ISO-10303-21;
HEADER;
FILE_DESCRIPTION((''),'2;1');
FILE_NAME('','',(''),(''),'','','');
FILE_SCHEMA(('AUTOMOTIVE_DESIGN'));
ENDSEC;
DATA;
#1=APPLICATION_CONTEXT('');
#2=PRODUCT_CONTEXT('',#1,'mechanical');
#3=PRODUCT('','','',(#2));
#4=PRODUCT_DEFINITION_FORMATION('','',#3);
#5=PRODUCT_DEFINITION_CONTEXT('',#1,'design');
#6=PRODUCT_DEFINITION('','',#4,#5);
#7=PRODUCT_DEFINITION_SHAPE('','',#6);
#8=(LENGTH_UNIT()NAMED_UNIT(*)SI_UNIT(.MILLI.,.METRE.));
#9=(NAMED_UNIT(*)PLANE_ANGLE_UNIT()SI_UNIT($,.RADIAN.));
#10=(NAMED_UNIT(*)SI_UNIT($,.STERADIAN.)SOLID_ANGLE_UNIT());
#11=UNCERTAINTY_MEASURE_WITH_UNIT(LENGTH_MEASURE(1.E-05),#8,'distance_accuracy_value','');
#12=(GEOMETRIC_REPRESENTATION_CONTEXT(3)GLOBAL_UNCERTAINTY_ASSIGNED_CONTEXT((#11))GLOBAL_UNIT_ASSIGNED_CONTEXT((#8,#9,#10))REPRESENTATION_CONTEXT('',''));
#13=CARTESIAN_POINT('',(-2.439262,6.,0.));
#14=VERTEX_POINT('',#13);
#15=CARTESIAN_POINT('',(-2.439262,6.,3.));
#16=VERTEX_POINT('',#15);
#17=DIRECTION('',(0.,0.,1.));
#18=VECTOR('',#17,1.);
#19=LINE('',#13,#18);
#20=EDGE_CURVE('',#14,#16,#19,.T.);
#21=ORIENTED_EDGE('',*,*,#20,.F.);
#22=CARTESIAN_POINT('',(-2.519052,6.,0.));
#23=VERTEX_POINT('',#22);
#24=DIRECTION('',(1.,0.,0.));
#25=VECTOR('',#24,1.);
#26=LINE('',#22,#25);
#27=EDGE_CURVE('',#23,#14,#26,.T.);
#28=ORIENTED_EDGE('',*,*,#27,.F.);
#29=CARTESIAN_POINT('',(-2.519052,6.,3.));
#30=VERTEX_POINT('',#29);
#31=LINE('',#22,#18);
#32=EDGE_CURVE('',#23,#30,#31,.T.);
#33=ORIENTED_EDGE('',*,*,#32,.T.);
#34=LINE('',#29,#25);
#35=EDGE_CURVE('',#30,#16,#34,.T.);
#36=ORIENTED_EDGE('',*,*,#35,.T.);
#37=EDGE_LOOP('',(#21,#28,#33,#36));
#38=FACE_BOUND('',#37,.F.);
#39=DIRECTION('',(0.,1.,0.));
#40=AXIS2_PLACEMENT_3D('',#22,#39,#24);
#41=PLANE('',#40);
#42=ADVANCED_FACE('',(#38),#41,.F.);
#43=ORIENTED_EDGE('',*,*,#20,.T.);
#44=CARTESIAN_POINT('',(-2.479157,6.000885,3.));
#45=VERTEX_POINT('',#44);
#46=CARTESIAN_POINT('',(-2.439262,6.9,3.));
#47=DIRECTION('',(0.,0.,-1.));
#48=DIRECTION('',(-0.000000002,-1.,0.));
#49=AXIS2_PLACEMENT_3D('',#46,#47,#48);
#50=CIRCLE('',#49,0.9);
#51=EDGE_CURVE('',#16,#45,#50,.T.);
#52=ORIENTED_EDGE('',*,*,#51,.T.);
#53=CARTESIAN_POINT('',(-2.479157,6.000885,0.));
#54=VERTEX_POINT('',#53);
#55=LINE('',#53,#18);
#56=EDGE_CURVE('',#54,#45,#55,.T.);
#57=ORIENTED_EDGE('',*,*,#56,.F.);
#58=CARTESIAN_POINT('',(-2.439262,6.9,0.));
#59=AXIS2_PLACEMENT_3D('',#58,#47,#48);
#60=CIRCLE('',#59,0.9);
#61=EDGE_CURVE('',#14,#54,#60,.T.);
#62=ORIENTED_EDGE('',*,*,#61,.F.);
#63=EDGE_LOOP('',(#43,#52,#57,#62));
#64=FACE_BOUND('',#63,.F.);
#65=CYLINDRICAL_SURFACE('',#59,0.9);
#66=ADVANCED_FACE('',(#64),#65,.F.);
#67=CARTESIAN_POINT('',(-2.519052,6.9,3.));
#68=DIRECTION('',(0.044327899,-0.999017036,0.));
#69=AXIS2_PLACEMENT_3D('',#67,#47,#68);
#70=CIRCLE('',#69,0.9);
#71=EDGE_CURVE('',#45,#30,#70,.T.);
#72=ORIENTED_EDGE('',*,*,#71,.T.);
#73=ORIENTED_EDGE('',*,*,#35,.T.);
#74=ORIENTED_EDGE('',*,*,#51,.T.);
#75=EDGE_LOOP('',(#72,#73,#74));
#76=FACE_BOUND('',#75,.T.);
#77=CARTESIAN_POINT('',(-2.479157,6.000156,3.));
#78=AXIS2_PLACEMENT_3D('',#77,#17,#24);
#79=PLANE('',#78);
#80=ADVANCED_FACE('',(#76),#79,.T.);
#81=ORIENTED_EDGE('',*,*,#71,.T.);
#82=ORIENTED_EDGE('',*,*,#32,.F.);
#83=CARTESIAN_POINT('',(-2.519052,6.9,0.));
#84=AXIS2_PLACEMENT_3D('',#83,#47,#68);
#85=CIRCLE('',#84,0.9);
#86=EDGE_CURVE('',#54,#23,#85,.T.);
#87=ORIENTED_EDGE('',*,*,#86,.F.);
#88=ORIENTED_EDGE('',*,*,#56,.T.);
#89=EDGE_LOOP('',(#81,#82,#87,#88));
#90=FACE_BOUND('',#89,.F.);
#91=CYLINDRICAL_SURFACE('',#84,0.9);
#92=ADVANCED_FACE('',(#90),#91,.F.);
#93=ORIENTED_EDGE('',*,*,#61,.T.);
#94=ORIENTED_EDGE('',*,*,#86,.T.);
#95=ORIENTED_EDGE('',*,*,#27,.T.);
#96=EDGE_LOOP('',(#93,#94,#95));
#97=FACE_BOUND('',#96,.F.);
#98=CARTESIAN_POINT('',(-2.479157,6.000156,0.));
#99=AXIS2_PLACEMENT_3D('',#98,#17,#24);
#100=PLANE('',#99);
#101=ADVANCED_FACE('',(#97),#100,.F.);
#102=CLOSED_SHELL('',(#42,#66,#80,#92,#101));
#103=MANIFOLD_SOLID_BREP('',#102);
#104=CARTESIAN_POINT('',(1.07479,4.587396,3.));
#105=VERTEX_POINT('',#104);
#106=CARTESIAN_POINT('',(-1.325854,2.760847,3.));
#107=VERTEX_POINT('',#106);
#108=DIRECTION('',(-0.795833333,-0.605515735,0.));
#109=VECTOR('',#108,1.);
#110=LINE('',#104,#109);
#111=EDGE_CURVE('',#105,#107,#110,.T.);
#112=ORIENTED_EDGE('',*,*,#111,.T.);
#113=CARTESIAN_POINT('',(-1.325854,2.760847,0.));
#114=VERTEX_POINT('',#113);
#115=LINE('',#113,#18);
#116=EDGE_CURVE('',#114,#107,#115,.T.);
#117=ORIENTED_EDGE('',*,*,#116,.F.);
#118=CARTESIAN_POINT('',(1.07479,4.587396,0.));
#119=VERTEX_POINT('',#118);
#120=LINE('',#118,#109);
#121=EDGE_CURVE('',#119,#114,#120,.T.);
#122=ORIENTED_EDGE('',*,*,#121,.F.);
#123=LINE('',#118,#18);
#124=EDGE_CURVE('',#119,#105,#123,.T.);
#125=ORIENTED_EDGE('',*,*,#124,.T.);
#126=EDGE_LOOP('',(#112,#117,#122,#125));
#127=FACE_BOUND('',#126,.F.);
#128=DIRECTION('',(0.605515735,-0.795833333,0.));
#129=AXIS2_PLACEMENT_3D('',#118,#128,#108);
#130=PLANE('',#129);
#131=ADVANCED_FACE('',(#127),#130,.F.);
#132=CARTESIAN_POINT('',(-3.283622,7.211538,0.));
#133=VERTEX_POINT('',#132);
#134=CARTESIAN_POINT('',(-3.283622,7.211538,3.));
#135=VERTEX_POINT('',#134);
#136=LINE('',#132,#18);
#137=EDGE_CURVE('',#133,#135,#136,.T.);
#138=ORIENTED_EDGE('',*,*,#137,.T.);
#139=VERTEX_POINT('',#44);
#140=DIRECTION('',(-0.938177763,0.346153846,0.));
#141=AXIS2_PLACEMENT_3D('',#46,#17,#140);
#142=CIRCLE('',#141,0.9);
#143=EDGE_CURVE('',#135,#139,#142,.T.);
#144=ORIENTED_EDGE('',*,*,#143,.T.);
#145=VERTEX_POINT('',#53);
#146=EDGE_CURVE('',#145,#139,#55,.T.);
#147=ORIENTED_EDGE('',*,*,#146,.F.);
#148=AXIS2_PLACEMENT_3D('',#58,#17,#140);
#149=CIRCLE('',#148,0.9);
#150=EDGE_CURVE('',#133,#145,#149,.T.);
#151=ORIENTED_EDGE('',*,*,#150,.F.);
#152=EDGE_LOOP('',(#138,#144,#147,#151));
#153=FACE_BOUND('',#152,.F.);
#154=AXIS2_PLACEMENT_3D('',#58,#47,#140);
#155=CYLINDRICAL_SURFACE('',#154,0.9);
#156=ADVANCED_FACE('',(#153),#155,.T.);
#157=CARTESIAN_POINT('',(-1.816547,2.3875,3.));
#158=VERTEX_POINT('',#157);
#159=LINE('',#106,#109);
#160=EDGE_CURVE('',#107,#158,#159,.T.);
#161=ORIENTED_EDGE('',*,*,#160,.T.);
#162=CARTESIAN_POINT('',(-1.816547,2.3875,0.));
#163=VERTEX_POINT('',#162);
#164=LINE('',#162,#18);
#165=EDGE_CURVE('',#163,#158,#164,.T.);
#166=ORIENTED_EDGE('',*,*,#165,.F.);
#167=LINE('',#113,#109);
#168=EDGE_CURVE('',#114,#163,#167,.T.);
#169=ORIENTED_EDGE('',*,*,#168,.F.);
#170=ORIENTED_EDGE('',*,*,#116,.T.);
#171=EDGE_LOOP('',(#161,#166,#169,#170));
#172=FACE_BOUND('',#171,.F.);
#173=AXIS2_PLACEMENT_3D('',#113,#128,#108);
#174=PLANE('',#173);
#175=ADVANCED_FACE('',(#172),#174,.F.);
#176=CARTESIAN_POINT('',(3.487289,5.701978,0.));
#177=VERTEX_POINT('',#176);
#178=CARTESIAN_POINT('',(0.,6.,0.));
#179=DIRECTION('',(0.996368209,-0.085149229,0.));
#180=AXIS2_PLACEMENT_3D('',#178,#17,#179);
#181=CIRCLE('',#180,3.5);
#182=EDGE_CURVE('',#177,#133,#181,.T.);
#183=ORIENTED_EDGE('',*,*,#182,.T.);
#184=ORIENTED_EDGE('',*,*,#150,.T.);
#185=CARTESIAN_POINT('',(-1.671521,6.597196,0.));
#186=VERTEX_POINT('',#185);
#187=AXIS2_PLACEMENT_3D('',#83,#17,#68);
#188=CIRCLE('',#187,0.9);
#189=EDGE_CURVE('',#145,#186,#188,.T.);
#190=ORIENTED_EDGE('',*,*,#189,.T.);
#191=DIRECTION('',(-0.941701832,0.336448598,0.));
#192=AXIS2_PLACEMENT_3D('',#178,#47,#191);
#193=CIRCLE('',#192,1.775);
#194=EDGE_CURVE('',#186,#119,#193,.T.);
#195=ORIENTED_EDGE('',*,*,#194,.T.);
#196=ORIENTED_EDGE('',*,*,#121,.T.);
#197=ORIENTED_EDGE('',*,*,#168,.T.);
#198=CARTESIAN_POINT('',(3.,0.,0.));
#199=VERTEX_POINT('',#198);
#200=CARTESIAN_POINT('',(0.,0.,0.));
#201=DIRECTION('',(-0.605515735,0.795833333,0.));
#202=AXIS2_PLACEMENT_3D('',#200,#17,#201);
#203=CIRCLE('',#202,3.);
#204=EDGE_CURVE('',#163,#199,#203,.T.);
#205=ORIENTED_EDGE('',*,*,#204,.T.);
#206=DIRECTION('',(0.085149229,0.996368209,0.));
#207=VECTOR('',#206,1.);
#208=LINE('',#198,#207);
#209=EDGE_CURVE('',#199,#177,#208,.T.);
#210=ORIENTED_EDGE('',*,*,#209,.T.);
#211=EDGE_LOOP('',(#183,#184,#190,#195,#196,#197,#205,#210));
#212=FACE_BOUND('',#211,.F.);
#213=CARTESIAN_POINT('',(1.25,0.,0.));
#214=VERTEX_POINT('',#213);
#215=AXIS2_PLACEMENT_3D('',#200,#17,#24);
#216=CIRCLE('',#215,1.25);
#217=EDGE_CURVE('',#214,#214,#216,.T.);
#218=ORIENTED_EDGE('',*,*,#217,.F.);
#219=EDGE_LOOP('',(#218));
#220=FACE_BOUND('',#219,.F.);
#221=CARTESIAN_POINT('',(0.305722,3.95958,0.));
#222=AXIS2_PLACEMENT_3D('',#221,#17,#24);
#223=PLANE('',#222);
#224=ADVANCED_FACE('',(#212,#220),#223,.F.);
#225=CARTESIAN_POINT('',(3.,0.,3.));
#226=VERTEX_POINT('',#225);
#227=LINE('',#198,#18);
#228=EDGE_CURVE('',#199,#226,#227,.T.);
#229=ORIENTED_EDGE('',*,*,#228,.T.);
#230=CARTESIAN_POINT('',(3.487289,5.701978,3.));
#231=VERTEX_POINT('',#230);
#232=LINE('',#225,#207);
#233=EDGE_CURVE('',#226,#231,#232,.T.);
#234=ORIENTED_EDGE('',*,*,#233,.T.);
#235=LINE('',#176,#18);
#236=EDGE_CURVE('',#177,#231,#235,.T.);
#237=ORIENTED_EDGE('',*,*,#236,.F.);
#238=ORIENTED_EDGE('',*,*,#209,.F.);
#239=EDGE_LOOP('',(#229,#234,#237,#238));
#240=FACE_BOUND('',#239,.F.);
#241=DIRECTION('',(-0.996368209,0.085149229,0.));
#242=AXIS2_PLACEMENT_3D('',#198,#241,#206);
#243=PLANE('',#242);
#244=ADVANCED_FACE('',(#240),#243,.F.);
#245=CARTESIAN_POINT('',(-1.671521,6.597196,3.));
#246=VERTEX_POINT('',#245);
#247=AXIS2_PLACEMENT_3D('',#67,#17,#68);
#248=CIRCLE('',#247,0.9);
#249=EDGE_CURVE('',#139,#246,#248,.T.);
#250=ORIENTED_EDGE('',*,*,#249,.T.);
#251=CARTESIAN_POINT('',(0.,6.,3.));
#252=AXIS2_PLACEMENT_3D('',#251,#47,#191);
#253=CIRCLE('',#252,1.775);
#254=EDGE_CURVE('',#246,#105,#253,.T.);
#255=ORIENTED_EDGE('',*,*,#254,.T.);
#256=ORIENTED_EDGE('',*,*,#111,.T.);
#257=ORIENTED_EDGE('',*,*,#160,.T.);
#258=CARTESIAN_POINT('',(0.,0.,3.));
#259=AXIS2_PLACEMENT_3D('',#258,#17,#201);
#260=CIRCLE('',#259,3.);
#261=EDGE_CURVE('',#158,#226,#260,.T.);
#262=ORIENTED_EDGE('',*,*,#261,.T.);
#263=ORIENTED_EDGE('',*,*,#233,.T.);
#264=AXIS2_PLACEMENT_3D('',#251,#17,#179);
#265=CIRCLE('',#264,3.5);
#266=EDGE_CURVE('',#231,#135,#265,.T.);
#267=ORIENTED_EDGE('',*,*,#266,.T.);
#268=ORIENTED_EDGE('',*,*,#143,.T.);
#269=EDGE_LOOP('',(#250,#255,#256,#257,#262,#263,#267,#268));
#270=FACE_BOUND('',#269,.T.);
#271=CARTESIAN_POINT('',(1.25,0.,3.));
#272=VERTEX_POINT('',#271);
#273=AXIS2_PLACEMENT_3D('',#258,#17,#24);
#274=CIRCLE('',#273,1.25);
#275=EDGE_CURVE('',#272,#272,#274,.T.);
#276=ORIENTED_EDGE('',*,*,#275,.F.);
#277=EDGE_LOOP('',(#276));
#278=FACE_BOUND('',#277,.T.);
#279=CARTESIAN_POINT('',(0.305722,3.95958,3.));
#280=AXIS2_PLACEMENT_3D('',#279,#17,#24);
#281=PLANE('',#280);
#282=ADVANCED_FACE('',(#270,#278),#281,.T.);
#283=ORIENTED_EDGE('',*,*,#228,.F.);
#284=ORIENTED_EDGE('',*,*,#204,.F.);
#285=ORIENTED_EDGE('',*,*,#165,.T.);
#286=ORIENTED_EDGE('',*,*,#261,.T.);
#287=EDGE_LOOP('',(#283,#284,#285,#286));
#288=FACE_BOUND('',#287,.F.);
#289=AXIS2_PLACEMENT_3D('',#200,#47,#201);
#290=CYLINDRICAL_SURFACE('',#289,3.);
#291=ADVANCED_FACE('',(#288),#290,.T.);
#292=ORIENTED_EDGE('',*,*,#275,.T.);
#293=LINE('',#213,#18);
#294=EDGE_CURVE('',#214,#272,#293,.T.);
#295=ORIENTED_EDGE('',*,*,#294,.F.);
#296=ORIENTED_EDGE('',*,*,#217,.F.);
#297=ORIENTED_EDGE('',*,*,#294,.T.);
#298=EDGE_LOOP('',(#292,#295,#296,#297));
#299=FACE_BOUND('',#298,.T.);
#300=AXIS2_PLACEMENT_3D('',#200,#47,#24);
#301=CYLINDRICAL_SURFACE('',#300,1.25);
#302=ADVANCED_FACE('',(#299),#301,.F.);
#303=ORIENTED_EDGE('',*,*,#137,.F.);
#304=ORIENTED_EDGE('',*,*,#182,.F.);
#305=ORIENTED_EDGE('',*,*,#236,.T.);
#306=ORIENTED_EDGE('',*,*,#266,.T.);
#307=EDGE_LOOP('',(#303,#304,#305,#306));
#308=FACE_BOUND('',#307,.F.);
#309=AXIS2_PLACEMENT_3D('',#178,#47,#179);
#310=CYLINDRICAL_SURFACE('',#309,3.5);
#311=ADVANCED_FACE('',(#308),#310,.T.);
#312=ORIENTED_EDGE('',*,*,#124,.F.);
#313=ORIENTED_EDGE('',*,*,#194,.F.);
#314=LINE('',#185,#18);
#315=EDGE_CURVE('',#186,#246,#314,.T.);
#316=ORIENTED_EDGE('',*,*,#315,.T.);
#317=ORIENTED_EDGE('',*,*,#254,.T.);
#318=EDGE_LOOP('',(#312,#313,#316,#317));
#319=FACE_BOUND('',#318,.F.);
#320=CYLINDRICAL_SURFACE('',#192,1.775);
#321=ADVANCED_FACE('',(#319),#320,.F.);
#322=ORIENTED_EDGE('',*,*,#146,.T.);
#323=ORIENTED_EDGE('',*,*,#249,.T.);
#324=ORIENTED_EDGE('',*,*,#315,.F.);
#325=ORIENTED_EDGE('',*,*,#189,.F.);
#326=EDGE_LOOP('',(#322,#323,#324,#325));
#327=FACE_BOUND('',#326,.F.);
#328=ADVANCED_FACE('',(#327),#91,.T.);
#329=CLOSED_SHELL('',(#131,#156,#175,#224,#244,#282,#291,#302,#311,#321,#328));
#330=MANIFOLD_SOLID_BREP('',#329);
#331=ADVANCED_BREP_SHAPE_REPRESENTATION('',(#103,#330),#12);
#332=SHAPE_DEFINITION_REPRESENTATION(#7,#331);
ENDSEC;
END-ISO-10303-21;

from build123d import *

# Parameters (mm, degrees)
F0_R     = 1.25
F1_DEPTH = 3


with BuildPart() as f1:
    # F0 (on Top) → F1 (new body)
    with BuildSketch(Plane.XY):
        with BuildLine():
            Line((-1.3258543741, 2.7608473054), (-1.8165472056, 2.3875))
            ThreePointArc((-1.8165472056, 2.3875), (-1.3323585072, -2.6879026784), (3, 0))
            Line((3, 0), (3.4872887332, 5.7019776999))
            ThreePointArc((3.4872887332, 5.7019776999), (0.7616189602, 9.4161288851), (-3.2836221701, 7.2115384615))
            ThreePointArc((-3.2836221701, 7.2115384615), (-3.1888603562, 6.4019010344), (-2.4791572924, 6.000884668))
            ThreePointArc((-2.4791572924, 6.000884668), (-1.9844699082, 6.1759685379), (-1.6715207522, 6.5971962617))
            ThreePointArc((-1.6715207522, 6.5971962617), (1.048258656, 7.4324031521), (1.07479043, 4.5873958333))
            Line((1.07479043, 4.5873958333), (-1.3258543741, 2.7608473054))
        make_face()
        Circle(F0_R, mode=Mode.SUBTRACT)
    extrude(amount=F1_DEPTH)


with BuildPart() as f1b:
    # F0 (on Top) → F1, piece 2 (new body)
    with BuildSketch(Plane.XY):
        with BuildLine():
            ThreePointArc((-2.4392621835, 6), (-2.4592146417, 6.0002211942), (-2.4791572924, 6.000884668))
            ThreePointArc((-2.4791572924, 6.000884668), (-2.499099943, 6.0002211942), (-2.5190524012, 6))
            Line((-2.5190524012, 6), (-2.4392621835, 6))
        make_face()
    extrude(amount=F1_DEPTH)


solid = Compound([f1.part, f1b.part])
